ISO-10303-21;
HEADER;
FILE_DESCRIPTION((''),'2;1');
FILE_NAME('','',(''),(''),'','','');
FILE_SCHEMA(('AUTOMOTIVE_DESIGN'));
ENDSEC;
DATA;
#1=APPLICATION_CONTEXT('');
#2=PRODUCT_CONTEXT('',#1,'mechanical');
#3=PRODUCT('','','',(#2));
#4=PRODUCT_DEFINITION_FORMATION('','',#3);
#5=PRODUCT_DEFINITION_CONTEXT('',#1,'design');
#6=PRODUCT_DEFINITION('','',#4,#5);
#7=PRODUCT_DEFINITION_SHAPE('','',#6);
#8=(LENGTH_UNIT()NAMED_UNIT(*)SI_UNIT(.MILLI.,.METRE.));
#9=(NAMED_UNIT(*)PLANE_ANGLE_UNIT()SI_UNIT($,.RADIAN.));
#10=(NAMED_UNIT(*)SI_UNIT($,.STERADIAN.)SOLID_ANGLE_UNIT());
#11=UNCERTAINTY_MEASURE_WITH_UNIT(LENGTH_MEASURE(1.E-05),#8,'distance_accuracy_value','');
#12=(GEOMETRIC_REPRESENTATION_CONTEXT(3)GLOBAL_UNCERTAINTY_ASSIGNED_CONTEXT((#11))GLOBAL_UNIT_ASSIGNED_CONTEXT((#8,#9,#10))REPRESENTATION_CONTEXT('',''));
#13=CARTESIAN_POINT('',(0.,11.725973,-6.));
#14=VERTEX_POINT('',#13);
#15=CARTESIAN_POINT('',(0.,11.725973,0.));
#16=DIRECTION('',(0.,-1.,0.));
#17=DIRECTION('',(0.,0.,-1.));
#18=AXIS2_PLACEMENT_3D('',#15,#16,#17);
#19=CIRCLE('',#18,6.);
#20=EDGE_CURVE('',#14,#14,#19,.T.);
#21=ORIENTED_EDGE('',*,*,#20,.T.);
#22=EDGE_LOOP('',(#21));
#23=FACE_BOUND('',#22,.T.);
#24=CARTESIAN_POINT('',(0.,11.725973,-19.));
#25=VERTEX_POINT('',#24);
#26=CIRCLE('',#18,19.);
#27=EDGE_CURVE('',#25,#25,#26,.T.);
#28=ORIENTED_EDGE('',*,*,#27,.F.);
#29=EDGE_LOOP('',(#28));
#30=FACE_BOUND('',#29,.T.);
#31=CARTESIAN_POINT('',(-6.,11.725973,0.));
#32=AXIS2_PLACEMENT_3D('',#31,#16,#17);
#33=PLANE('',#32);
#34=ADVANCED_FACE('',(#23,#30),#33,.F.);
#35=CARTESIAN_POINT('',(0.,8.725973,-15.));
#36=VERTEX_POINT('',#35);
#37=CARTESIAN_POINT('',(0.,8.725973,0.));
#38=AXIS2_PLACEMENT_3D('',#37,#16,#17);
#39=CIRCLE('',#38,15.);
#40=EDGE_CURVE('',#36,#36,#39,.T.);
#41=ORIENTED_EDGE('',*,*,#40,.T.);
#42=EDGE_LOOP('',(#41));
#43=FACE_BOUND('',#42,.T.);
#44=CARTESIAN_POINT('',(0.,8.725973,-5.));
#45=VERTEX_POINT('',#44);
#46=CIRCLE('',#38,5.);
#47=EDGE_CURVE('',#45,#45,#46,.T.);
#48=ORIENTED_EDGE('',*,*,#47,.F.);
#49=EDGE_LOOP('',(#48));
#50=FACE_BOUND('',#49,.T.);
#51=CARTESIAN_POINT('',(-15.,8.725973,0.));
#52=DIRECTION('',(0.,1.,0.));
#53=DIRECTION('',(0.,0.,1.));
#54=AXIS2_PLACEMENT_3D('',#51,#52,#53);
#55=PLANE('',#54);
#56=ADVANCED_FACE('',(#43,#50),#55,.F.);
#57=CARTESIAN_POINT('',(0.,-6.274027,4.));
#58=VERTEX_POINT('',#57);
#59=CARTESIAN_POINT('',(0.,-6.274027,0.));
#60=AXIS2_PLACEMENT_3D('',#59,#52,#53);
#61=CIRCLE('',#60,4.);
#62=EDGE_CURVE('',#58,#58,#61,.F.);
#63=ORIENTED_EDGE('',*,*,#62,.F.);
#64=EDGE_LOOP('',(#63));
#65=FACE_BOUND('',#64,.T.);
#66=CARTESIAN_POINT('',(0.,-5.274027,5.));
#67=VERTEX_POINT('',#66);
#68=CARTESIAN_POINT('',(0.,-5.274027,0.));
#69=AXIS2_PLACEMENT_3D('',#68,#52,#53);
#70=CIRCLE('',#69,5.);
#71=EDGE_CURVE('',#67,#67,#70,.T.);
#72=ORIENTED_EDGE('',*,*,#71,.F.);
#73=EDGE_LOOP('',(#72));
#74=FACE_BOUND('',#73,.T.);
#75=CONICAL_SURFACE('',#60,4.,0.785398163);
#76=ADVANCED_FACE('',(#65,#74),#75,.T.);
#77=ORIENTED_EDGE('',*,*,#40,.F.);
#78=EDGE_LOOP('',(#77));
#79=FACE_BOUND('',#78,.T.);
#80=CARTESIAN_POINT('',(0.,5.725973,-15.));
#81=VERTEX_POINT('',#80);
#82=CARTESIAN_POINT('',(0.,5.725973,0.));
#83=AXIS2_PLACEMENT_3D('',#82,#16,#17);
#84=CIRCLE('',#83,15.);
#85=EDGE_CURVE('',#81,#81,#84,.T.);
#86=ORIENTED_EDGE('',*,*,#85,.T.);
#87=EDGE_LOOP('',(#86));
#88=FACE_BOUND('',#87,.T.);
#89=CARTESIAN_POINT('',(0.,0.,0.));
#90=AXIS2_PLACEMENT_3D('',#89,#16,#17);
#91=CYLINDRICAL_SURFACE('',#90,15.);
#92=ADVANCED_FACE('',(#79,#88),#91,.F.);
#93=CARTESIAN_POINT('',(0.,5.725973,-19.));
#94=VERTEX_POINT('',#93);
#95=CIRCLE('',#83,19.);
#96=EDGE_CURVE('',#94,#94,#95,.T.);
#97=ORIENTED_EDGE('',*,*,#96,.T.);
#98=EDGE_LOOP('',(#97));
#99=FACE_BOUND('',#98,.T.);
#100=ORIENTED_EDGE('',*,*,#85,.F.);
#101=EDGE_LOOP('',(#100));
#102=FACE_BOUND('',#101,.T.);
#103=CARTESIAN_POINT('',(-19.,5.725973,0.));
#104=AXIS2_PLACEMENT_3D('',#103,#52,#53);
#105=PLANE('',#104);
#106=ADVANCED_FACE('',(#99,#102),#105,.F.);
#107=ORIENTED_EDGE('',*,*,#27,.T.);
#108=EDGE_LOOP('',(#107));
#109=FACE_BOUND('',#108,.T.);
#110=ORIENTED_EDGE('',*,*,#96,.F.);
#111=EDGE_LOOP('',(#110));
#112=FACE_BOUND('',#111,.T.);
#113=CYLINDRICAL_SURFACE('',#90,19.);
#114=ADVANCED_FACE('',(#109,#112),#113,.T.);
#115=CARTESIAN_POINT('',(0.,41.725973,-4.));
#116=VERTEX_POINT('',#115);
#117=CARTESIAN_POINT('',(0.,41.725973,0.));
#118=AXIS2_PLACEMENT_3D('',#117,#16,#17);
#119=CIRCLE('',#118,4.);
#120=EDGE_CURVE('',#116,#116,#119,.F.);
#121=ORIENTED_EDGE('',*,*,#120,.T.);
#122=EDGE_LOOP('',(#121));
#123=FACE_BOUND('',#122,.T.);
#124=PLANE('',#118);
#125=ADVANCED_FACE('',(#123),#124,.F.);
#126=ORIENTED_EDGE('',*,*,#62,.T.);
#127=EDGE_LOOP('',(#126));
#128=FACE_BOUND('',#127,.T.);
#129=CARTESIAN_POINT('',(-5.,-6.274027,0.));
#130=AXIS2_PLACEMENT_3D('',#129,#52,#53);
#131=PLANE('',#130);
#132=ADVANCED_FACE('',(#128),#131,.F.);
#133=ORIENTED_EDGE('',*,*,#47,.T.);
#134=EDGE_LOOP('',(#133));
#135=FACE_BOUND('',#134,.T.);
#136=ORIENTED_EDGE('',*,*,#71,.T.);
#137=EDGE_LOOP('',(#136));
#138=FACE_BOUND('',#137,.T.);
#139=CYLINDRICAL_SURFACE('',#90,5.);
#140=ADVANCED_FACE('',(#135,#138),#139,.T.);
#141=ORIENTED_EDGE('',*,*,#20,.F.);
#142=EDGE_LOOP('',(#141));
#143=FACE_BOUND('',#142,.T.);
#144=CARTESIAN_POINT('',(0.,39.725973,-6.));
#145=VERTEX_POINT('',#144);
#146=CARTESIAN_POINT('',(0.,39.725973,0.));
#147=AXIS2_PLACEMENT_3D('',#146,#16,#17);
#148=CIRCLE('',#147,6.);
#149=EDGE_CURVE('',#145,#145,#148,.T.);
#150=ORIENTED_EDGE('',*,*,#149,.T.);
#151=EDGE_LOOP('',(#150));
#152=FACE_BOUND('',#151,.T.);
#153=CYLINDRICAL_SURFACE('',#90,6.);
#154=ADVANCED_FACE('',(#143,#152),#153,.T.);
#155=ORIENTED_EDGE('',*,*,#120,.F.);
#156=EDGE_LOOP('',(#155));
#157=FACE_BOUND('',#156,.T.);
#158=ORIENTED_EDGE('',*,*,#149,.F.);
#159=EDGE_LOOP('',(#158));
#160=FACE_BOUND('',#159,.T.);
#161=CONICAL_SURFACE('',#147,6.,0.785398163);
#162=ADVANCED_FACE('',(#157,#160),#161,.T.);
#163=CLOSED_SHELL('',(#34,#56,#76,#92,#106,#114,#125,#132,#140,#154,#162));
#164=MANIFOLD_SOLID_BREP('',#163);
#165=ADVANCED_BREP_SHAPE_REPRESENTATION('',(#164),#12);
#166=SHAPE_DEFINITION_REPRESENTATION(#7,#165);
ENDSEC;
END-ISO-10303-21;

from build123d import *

# Parameters (mm, degrees)
CHAMFER1_SIZE = 1
CHAMFER2_SIZE = 2


with BuildPart() as part:
    # Sketch1 → Revolve1 (revolve)
    with BuildSketch(Plane.XY, mode=Mode.PRIVATE) as revolve1_sk:
        Polygon((0, 41.725973007), (-6, 41.725973007), (-6, 11.725973007), (-19, 11.725973007), (-19, 5.725973007), (-15, 5.725973007), (-15, 8.725973007), (-5, 8.725973007), (-5, -6.274026993), (0, -6.274026993), align=None)
    revolve(revolve1_sk.sketch.rotate(Axis((0, 0, 0), (0, 1, 0)), 270), axis=Axis((0, 0, 0), (0, 1, 0)))

    # Chamfer1
    chamfer1_edges = [part.edges().sort_by_distance(p)[0] for p in [
        (0, -6.274026993, 5),
    ]]
    chamfer(chamfer1_edges, length=CHAMFER1_SIZE)

    # Chamfer2
    chamfer2_edges = [part.edges().sort_by_distance(p)[0] for p in [
        (0, 41.725973007, 6),
    ]]
    chamfer(chamfer2_edges, length=CHAMFER2_SIZE)


solid = part.part
